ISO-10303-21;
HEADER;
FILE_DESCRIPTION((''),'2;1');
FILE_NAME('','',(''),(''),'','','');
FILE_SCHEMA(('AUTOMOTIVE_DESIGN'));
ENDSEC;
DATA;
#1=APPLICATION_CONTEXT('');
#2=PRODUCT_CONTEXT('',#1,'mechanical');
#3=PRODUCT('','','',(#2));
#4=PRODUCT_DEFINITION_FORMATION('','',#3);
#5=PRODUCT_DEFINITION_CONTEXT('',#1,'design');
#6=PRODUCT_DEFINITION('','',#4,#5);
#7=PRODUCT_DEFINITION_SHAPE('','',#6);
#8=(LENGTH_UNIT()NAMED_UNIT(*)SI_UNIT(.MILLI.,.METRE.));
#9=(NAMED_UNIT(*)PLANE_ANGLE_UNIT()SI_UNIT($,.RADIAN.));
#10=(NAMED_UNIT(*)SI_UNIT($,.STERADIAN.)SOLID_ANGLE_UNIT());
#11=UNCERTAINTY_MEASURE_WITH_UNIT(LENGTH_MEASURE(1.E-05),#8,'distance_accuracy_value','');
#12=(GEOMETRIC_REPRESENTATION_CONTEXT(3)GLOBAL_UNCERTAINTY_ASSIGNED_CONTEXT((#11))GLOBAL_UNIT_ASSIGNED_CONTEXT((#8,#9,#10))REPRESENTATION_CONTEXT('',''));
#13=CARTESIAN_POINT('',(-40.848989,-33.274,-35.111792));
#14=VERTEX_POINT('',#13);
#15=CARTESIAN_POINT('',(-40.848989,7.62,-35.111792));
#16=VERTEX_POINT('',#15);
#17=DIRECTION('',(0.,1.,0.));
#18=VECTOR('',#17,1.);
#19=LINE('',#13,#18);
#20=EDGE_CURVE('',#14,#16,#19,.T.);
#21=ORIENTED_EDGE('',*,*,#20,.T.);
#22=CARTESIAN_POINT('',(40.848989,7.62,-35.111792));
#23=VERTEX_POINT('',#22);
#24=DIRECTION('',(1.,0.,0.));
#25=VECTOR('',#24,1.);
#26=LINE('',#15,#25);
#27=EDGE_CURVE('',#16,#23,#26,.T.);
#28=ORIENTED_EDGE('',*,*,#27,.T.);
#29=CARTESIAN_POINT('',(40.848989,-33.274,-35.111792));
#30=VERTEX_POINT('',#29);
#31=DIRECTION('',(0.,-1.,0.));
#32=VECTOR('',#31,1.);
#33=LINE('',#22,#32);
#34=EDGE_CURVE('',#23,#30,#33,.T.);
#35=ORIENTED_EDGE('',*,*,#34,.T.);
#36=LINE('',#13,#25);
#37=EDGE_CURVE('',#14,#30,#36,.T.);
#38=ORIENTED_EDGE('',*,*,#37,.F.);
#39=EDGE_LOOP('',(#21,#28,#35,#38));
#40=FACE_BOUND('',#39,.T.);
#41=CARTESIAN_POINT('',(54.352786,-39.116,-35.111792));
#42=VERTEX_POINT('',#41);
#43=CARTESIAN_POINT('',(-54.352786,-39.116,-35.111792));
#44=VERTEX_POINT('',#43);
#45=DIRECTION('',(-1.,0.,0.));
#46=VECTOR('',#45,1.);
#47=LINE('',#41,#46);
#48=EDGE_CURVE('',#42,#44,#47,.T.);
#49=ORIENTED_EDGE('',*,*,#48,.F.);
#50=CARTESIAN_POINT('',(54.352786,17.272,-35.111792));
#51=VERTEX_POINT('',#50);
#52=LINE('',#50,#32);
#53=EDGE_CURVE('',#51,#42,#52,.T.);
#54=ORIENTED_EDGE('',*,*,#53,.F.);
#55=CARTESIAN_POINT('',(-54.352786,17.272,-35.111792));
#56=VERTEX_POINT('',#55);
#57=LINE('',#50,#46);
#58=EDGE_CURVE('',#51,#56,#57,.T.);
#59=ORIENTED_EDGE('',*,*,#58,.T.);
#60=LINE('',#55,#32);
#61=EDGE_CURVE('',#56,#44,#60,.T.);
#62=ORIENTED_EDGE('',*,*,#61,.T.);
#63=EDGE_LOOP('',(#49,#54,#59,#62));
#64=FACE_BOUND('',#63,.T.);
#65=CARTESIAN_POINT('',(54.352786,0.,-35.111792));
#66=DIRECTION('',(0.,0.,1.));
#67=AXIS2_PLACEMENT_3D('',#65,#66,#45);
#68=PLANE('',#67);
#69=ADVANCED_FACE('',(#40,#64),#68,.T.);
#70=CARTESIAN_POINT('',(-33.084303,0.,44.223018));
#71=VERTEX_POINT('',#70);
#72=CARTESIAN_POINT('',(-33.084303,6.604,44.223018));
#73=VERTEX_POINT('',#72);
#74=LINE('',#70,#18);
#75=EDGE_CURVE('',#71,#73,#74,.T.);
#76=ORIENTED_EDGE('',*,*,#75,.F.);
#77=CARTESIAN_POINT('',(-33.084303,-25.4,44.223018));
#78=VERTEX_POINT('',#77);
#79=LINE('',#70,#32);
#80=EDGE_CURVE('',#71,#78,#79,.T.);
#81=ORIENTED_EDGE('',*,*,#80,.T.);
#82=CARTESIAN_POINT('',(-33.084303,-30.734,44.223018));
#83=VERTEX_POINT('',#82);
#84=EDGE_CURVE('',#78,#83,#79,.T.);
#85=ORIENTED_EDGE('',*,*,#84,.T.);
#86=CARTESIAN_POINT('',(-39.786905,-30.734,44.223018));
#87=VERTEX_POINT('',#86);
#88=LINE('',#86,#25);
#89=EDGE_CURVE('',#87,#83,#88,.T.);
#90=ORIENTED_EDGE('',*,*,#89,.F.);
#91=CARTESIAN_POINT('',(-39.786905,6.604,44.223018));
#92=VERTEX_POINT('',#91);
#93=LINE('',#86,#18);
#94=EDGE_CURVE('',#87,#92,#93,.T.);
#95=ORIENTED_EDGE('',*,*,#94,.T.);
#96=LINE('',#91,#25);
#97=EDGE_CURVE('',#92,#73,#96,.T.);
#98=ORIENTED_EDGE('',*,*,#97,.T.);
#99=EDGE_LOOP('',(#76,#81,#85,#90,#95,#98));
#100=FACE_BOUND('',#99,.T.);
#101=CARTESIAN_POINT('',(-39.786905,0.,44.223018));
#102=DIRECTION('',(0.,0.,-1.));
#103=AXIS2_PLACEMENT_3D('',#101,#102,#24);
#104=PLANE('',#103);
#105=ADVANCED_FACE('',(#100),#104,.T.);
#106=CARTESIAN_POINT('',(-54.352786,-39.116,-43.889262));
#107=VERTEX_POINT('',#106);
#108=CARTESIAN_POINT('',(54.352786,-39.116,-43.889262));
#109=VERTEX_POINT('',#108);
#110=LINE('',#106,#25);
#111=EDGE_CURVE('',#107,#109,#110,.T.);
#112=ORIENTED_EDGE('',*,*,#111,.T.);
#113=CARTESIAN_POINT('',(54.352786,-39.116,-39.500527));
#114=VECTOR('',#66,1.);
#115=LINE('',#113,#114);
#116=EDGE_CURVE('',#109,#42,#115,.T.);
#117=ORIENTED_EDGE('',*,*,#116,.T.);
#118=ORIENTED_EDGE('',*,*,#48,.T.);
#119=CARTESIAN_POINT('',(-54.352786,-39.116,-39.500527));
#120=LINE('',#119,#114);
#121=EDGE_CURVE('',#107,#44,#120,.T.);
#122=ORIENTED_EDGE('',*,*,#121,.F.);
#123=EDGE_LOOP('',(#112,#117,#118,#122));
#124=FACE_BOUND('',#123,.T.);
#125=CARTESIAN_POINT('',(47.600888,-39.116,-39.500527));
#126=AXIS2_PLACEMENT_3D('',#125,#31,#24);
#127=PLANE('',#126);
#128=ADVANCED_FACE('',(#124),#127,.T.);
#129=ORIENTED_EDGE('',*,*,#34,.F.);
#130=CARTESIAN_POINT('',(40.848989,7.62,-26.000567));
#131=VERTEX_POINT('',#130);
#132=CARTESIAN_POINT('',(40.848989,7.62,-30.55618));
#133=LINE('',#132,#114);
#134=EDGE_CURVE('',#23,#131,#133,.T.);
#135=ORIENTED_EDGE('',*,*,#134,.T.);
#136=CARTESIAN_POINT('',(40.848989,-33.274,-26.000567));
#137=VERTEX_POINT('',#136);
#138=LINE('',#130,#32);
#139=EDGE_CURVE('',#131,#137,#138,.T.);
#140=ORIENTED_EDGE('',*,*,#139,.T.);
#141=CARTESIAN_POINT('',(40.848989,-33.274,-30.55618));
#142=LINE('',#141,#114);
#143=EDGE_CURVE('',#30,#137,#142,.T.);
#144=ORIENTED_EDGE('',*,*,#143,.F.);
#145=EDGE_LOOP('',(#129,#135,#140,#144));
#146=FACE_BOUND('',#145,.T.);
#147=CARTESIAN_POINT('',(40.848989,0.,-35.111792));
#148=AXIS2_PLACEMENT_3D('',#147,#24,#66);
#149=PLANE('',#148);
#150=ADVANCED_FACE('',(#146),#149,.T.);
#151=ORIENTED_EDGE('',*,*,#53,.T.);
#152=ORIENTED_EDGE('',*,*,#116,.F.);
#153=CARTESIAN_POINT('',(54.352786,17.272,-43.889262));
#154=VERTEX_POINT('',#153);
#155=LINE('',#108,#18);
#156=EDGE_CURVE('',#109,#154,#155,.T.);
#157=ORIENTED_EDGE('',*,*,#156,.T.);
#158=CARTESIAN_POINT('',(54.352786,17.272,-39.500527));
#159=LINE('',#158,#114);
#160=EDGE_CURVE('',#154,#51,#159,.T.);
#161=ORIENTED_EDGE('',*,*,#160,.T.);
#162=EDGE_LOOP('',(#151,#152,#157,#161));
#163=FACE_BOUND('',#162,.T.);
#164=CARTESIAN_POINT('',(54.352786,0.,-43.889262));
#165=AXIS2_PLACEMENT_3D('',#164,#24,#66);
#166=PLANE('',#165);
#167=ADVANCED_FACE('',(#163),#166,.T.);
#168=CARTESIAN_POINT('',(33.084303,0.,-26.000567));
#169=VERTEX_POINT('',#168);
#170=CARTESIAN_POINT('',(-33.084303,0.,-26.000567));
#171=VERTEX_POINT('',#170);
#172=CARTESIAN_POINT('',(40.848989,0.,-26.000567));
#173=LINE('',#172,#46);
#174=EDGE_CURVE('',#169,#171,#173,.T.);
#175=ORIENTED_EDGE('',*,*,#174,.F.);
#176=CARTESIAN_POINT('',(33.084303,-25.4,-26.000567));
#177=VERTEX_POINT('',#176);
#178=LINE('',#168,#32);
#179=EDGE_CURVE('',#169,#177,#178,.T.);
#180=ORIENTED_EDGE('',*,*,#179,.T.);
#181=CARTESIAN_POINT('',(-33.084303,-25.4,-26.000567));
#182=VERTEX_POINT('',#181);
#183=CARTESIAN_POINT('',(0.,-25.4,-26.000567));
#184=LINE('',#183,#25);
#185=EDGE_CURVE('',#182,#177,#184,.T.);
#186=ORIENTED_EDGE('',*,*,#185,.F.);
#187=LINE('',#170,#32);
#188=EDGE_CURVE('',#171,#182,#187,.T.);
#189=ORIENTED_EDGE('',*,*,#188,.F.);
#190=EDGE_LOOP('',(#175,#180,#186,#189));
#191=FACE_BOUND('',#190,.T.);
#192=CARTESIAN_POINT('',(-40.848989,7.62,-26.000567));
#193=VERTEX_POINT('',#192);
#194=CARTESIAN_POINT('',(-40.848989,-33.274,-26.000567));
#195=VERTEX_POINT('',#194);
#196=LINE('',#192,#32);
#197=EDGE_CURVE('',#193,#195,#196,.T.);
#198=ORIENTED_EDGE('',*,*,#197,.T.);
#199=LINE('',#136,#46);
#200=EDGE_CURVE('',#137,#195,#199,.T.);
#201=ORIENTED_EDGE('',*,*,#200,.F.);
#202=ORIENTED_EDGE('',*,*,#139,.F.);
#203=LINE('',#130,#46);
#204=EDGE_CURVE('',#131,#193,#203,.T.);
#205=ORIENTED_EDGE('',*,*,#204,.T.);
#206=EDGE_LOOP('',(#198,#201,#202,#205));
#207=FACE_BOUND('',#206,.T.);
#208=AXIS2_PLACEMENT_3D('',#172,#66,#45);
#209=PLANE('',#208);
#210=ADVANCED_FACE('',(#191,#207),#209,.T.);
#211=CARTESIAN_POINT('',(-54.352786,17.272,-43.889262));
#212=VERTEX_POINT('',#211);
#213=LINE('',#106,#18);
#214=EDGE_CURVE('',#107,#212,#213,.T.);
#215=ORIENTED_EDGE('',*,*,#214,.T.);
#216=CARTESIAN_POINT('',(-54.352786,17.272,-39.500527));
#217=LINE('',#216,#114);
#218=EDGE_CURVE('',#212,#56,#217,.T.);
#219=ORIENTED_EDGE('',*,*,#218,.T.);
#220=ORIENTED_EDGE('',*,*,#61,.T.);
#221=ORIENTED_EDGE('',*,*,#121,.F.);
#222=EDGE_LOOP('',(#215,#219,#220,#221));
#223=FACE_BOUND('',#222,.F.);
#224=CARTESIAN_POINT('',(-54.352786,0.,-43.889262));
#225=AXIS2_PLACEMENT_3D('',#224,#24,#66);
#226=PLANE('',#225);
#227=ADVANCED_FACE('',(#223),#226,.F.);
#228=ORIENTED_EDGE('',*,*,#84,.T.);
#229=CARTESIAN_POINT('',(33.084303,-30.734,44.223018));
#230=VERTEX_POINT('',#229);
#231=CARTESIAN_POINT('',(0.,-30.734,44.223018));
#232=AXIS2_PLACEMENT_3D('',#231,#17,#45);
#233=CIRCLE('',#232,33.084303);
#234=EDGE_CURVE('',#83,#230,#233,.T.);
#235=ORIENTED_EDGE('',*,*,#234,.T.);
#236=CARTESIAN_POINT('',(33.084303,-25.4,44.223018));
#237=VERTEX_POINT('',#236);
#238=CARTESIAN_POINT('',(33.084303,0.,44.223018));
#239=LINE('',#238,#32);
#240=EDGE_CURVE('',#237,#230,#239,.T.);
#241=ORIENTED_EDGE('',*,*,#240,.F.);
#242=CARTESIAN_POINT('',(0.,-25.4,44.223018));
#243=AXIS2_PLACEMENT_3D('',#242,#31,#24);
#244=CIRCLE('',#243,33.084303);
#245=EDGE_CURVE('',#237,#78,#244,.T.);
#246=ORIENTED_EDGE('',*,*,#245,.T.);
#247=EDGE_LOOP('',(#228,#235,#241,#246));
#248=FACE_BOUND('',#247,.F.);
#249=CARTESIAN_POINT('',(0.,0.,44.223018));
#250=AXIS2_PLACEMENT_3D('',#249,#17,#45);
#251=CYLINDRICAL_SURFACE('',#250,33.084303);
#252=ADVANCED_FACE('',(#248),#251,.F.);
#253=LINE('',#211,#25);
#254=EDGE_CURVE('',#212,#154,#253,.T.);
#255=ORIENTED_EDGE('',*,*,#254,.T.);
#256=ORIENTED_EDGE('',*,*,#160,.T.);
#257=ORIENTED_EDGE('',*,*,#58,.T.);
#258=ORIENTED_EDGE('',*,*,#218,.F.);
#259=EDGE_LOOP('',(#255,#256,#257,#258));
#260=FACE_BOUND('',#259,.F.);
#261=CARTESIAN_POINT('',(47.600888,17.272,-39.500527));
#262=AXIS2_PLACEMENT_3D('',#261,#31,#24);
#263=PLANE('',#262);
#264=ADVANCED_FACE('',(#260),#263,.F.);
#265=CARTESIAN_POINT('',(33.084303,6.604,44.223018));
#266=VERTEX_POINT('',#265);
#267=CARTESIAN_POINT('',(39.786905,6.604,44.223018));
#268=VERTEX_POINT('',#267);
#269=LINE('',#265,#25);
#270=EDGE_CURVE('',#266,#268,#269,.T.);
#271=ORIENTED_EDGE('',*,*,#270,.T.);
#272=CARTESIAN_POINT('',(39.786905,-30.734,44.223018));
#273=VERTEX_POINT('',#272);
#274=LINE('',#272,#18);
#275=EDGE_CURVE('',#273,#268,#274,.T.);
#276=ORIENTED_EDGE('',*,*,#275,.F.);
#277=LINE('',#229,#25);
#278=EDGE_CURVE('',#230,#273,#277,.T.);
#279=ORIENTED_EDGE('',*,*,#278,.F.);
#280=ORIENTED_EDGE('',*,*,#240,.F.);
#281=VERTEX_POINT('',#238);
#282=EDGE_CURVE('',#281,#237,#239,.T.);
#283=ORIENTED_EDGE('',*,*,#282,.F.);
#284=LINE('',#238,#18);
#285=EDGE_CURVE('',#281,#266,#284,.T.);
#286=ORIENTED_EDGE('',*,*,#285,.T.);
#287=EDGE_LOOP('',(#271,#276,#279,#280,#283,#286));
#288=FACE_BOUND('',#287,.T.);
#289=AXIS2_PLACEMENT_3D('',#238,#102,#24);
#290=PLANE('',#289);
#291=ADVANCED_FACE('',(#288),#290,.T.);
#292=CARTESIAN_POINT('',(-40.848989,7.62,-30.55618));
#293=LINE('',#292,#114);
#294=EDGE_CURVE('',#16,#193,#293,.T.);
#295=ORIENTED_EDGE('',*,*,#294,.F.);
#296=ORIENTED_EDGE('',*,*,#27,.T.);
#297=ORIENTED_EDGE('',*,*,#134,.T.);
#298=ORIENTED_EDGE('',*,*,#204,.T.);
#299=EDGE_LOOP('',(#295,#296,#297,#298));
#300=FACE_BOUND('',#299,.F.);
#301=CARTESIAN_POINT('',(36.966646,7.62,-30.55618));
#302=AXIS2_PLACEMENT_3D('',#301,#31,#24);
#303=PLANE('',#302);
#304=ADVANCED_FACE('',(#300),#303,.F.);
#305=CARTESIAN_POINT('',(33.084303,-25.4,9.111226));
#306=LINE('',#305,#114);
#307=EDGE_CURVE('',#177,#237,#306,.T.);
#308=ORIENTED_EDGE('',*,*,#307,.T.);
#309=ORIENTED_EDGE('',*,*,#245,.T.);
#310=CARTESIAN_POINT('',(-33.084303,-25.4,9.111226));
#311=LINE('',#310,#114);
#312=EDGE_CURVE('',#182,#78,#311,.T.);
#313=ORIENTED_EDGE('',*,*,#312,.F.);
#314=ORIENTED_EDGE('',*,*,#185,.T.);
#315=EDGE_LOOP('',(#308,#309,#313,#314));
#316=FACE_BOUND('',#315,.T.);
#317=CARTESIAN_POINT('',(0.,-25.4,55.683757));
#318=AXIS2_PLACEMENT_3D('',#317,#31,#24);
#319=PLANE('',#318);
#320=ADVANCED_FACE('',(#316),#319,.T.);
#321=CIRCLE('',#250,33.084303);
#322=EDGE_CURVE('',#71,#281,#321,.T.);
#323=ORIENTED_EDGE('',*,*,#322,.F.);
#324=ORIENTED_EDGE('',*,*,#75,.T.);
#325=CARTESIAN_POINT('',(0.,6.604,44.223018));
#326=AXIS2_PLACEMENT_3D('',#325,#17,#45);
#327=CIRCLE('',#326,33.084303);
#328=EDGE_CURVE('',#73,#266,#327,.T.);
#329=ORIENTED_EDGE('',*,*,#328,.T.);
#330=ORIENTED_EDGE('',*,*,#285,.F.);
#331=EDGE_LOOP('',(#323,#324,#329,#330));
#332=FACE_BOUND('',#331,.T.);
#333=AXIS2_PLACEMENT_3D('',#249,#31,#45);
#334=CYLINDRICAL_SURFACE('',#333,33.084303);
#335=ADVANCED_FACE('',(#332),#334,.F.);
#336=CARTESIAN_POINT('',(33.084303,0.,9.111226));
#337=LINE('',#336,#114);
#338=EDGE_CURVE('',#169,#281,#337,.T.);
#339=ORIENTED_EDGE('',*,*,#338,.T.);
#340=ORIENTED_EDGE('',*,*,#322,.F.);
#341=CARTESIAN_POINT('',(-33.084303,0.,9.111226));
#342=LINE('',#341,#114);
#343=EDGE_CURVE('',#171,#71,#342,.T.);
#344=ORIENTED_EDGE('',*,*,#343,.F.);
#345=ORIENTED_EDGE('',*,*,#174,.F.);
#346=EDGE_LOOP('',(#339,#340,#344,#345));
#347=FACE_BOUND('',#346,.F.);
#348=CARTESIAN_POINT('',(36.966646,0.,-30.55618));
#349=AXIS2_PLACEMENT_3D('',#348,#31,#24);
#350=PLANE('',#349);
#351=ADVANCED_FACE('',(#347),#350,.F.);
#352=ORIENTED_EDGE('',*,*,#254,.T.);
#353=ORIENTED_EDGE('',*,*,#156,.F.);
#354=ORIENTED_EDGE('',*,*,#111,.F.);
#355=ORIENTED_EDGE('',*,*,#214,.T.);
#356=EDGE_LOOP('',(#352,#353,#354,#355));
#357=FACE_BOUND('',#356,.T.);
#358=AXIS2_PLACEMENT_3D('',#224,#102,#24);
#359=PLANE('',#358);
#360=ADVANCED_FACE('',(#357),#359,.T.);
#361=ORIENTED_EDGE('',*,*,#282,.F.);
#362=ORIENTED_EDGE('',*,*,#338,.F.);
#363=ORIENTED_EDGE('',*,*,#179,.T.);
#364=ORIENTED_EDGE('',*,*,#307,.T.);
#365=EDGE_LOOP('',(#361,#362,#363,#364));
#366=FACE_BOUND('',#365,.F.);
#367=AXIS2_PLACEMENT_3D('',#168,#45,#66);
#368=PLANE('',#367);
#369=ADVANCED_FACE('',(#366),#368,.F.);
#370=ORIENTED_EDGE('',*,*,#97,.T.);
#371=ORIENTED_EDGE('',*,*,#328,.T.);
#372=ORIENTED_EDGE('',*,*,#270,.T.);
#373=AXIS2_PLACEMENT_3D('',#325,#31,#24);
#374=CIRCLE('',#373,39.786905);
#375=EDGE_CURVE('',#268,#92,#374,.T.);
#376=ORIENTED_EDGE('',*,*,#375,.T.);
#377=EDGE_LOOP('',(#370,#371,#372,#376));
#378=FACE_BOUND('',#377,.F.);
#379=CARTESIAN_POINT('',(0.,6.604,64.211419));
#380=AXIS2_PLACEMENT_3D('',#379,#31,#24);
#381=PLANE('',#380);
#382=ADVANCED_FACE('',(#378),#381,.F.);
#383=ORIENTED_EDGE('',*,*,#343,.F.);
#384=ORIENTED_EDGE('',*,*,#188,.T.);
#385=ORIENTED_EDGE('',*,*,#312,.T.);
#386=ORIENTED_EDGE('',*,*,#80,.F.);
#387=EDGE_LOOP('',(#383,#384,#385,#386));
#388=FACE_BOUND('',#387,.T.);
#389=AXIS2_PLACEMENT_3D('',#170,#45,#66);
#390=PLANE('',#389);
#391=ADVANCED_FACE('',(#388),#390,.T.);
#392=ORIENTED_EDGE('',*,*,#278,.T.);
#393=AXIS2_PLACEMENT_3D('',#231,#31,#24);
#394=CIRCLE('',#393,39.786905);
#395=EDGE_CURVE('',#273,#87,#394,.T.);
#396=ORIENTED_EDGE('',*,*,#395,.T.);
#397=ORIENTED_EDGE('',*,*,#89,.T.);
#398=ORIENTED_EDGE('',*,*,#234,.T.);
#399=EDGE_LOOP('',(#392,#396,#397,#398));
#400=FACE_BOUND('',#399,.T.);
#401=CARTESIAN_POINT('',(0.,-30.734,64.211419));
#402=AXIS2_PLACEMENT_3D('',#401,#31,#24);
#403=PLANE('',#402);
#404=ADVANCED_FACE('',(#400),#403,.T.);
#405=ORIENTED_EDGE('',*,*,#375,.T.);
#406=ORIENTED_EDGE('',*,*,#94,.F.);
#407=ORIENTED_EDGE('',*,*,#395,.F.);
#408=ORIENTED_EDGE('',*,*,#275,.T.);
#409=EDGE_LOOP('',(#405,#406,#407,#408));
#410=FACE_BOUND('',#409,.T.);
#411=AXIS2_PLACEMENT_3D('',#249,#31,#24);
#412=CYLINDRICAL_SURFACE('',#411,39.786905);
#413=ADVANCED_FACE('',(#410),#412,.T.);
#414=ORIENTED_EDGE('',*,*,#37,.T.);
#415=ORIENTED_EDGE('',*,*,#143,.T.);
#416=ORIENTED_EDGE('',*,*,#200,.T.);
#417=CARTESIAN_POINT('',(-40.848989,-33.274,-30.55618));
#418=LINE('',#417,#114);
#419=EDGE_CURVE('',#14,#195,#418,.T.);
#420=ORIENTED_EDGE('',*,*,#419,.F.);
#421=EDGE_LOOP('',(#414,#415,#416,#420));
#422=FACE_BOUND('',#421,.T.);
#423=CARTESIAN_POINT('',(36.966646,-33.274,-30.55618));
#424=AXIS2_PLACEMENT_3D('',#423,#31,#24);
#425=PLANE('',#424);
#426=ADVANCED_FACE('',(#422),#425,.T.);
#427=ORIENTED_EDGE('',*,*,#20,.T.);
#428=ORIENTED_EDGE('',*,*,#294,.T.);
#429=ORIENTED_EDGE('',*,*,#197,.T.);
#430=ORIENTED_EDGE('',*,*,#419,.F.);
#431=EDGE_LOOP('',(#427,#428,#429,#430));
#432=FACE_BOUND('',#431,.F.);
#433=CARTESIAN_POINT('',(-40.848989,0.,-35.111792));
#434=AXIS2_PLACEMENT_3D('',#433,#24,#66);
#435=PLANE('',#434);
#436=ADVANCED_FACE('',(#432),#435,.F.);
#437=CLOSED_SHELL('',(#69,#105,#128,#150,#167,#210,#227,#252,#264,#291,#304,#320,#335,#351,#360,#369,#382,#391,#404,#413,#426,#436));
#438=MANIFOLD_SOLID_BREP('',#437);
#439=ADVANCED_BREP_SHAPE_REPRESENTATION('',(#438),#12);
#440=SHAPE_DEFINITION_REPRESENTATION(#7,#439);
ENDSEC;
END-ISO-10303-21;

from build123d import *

# Parameters (mm, degrees)
F0_W          = 66.1686062813
F0_H          = 70.2235847712
F1_DEPTH      = 25.4
F2_DEPTH      = 30.734
F2_DEPTH_BACK = 6.604
F0_W_2        = 7.764685899
F0_H_2        = 9.111225605
F3_DEPTH      = 33.274
F3_DEPTH_BACK = 7.62
F0_W_3        = 13.5037973523
F0_H_3        = 8.7774693966
F4_DEPTH      = 39.116
F4_DEPTH_BACK = 17.272


with BuildPart() as f1:
    # F0 (on Front) → F1 (new body)
    with BuildSketch(Plane.XZ):
        with BuildLine():
            ThreePointArc((33.0843031406, 44.2230179906), (0, 77.3073211312), (-33.0843031406, 44.2230179906))
            Line((-33.0843031406, 44.2230179906), (33.0843031406, 44.2230179906))
        make_face()
        with Locations((0, 9.111225605)):
            Rectangle(F0_W, F0_H)
    extrude(amount=F1_DEPTH)

    # F0 (on Front) → F2 (join, two sides)
    with BuildSketch(Plane.XZ) as f2_sk:
        with BuildLine():
            Line((-39.7869050503, 44.2230179906), (-33.0843031406, 44.2230179906))
            ThreePointArc((-33.0843031406, 44.2230179906), (0, 77.3073211312), (33.0843031406, 44.2230179906))
            Line((33.0843031406, 44.2230179906), (39.7869050503, 44.2230179906))
            ThreePointArc((39.7869050503, 44.2230179906), (0, 84.0099230409), (-39.7869050503, 44.2230179906))
        make_face()
    extrude(amount=F2_DEPTH)
    extrude(f2_sk.sketch, amount=-F2_DEPTH_BACK)

    # F0 (on Front) → F3 (join, two sides)
    with BuildSketch(Plane.XZ) as f3_sk:
        with Locations((36.9666460901, -30.5561795831)):
            Rectangle(F0_W_2, F0_H_2)
        with Locations((0, -30.5561795831)):
            Rectangle(F0_W, F0_H_2)
        with Locations((-36.9666460901, -30.5561795831)):
            Rectangle(F0_W_2, F0_H_2)
    extrude(amount=F3_DEPTH)
    extrude(f3_sk.sketch, amount=-F3_DEPTH_BACK)

    # F0 (on Front) → F4 (join, two sides)
    with BuildSketch(Plane.XZ) as f4_sk:
        with Locations((47.6008877158, -39.5005270839)):
            Rectangle(F0_W_3, F0_H_3)
        with Locations((36.9666460901, -39.5005270839)):
            Rectangle(F0_W_2, F0_H_3)
        with Locations((0, -39.5005270839)):
            Rectangle(F0_W, F0_H_3)
        with Locations((-36.9666460901, -39.5005270839)):
            Rectangle(F0_W_2, F0_H_3)
        with Locations((-47.6008877158, -39.5005270839)):
            Rectangle(F0_W_3, F0_H_3)
    extrude(amount=F4_DEPTH)
    extrude(f4_sk.sketch, amount=-F4_DEPTH_BACK)


solid = f1.part
